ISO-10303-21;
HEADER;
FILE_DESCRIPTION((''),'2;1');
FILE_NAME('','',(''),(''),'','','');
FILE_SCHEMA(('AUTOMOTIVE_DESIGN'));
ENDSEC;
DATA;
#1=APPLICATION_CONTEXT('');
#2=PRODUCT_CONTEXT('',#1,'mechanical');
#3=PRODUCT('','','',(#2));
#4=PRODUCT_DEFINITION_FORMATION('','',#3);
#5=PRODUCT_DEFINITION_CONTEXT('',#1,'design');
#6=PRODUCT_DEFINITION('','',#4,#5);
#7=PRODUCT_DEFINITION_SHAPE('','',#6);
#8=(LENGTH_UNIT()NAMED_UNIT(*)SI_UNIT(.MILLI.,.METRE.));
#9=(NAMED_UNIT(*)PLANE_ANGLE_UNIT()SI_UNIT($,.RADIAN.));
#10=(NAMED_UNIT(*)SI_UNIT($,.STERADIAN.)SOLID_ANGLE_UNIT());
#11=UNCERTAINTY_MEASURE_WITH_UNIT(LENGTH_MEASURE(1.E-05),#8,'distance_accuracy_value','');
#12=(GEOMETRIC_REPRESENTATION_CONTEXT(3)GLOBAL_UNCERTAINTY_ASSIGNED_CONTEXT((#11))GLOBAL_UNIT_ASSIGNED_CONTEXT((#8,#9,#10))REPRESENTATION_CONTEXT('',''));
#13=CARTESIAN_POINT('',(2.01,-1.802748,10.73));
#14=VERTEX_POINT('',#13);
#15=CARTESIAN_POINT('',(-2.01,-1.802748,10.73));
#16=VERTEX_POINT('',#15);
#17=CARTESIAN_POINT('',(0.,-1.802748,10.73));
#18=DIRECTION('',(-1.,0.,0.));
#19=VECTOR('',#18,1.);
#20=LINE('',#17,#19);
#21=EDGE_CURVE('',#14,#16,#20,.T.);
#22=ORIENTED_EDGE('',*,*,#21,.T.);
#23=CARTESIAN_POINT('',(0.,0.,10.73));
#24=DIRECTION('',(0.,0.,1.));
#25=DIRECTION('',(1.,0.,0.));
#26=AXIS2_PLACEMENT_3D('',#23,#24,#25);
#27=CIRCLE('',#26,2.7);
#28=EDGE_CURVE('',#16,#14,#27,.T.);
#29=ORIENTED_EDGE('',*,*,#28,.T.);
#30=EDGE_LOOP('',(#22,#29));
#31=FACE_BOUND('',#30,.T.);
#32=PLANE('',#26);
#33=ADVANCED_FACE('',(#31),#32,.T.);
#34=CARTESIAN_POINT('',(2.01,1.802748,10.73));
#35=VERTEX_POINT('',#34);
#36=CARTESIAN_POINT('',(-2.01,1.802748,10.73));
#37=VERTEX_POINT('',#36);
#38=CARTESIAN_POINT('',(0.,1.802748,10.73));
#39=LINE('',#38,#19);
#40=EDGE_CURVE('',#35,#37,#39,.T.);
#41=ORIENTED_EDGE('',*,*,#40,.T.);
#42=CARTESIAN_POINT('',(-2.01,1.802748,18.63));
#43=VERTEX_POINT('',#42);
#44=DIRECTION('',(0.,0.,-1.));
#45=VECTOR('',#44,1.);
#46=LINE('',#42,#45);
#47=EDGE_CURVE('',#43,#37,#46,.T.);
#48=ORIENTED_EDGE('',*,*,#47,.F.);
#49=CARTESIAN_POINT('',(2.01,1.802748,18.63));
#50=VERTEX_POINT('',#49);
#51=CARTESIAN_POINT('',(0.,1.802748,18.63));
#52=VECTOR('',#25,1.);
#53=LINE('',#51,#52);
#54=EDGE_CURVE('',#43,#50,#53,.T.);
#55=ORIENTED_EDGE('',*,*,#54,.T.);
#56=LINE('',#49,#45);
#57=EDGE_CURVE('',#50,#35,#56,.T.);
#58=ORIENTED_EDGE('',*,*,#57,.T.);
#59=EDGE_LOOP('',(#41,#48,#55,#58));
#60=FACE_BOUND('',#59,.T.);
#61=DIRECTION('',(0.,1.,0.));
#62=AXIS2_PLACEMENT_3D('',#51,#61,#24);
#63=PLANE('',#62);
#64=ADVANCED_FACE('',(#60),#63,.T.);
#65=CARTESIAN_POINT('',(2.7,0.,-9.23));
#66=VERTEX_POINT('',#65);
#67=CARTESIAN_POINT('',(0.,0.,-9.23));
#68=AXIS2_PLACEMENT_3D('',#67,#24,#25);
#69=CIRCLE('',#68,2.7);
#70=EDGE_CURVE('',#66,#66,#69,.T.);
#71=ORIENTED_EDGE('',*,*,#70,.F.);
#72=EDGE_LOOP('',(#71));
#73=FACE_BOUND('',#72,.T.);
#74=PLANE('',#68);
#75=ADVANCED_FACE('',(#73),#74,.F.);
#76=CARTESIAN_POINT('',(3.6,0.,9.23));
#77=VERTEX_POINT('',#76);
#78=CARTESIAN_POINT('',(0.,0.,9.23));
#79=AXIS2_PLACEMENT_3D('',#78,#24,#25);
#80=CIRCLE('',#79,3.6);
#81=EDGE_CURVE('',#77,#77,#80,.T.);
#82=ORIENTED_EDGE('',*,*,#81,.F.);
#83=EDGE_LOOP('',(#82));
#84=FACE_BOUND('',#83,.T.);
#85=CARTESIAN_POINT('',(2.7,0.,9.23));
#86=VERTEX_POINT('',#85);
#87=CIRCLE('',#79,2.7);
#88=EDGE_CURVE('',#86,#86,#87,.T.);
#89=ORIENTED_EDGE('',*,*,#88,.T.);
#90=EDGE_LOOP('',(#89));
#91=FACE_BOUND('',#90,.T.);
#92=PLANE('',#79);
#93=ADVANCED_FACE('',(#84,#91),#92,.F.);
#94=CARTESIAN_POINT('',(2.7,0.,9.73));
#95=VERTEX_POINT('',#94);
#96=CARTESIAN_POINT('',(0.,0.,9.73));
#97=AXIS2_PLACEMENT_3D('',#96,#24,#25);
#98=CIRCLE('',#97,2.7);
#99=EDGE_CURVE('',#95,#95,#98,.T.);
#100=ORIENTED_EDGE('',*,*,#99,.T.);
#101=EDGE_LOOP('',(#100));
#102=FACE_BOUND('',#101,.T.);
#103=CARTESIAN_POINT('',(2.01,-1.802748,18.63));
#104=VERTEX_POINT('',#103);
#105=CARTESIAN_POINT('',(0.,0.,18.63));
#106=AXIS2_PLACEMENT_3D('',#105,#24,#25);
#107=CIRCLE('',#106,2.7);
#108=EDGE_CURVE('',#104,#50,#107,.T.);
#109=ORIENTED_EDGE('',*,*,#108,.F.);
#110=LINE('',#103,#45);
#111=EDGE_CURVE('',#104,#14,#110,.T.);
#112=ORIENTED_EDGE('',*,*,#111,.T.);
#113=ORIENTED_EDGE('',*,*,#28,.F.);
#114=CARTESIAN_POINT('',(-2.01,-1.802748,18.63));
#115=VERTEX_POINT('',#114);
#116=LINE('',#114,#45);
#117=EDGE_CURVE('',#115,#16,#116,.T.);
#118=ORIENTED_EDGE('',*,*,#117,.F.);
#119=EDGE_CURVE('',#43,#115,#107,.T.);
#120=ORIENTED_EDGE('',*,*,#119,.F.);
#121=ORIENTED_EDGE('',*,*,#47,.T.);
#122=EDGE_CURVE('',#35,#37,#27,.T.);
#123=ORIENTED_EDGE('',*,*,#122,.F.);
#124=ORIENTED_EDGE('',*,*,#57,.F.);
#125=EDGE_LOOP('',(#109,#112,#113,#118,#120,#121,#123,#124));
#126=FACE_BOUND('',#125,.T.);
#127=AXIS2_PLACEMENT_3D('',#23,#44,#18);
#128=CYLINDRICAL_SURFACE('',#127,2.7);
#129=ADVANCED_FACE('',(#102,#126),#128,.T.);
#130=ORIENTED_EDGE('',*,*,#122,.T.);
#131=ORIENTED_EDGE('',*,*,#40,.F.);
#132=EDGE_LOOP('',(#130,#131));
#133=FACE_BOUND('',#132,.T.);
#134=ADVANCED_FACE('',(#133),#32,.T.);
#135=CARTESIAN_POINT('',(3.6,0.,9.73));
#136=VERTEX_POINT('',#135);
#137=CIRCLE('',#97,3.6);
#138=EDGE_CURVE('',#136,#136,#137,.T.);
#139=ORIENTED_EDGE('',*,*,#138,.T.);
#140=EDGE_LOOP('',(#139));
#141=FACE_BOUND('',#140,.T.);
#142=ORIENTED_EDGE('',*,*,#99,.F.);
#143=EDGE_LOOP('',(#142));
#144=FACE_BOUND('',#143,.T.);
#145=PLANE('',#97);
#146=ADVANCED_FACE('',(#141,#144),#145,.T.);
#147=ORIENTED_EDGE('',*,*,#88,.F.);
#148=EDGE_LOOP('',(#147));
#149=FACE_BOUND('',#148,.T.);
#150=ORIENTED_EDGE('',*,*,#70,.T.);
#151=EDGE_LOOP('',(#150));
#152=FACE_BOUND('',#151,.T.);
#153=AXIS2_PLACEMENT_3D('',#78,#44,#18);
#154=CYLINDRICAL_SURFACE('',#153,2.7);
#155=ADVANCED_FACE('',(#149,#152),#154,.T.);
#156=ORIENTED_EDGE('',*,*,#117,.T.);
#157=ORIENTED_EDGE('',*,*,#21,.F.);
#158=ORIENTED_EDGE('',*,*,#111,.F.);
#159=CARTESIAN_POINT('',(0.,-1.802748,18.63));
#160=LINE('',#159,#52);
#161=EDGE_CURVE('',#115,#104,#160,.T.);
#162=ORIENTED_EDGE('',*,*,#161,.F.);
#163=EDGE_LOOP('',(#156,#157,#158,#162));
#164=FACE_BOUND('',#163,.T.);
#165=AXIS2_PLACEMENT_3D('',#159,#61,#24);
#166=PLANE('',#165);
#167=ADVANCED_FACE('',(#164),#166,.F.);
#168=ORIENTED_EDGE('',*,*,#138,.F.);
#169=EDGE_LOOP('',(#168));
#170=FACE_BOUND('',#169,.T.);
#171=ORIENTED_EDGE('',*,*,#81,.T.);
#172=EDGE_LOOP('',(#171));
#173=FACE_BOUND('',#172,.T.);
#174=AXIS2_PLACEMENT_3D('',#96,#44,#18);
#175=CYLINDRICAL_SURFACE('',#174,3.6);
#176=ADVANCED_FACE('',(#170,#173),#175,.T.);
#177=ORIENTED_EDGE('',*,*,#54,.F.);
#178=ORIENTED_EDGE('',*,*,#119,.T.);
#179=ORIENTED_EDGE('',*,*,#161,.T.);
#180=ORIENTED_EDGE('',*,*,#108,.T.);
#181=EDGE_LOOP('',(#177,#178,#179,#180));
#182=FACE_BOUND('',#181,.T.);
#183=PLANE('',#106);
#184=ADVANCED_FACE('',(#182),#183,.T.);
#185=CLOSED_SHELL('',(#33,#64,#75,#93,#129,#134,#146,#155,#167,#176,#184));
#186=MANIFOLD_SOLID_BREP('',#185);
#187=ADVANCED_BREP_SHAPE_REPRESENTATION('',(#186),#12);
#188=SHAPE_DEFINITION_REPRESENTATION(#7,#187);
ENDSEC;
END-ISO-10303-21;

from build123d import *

# Parameters (mm, degrees)
SKETCH1_R           = 2.7
BOSS_EXTRUDE1_DEPTH = 9.23
SKETCH2_R           = 3.6
BOSS_EXTRUDE2_DEPTH = 0.5
BOSS_EXTRUDE3_START = 1
SKETCH3_R           = 2.7
BOSS_EXTRUDE3_DEPTH = 1
BOSS_EXTRUDE4_START = 8.9
BOSS_EXTRUDE4_DEPTH = 8.9


with BuildPart() as part:
    # Sketch1 → Boss-Extrude1 (new, symmetric)
    with BuildSketch(Plane.XY):
        Circle(SKETCH1_R)
    extrude(amount=BOSS_EXTRUDE1_DEPTH, both=True)

    # Sketch2 → Boss-Extrude2 (add)
    with BuildSketch(Plane.XY.offset(9.23)):
        Circle(SKETCH2_R)
    extrude(amount=BOSS_EXTRUDE2_DEPTH)

    # Sketch3 → Boss-Extrude3 (add)
    with BuildSketch(Plane.XY.offset(9.73).offset(BOSS_EXTRUDE3_START)):
        Circle(SKETCH3_R)
    extrude(amount=-BOSS_EXTRUDE3_DEPTH)

    # Sketch3<3> → Boss-Extrude4 (add)
    with BuildSketch(Plane.XY.offset(9.73).offset(BOSS_EXTRUDE4_START)):
        with BuildLine():
            ThreePointArc((-2.01, 1.802747903), (-2.7, 0), (-2.01, -1.802747903))
            Line((-2.01, -1.802747903), (2.01, -1.802747903))
            ThreePointArc((2.01, -1.802747903), (2.7, 0), (2.01, 1.802747903))
            Line((2.01, 1.802747903), (-2.01, 1.802747903))
        make_face()
    extrude(amount=-BOSS_EXTRUDE4_DEPTH)


solid = part.part
